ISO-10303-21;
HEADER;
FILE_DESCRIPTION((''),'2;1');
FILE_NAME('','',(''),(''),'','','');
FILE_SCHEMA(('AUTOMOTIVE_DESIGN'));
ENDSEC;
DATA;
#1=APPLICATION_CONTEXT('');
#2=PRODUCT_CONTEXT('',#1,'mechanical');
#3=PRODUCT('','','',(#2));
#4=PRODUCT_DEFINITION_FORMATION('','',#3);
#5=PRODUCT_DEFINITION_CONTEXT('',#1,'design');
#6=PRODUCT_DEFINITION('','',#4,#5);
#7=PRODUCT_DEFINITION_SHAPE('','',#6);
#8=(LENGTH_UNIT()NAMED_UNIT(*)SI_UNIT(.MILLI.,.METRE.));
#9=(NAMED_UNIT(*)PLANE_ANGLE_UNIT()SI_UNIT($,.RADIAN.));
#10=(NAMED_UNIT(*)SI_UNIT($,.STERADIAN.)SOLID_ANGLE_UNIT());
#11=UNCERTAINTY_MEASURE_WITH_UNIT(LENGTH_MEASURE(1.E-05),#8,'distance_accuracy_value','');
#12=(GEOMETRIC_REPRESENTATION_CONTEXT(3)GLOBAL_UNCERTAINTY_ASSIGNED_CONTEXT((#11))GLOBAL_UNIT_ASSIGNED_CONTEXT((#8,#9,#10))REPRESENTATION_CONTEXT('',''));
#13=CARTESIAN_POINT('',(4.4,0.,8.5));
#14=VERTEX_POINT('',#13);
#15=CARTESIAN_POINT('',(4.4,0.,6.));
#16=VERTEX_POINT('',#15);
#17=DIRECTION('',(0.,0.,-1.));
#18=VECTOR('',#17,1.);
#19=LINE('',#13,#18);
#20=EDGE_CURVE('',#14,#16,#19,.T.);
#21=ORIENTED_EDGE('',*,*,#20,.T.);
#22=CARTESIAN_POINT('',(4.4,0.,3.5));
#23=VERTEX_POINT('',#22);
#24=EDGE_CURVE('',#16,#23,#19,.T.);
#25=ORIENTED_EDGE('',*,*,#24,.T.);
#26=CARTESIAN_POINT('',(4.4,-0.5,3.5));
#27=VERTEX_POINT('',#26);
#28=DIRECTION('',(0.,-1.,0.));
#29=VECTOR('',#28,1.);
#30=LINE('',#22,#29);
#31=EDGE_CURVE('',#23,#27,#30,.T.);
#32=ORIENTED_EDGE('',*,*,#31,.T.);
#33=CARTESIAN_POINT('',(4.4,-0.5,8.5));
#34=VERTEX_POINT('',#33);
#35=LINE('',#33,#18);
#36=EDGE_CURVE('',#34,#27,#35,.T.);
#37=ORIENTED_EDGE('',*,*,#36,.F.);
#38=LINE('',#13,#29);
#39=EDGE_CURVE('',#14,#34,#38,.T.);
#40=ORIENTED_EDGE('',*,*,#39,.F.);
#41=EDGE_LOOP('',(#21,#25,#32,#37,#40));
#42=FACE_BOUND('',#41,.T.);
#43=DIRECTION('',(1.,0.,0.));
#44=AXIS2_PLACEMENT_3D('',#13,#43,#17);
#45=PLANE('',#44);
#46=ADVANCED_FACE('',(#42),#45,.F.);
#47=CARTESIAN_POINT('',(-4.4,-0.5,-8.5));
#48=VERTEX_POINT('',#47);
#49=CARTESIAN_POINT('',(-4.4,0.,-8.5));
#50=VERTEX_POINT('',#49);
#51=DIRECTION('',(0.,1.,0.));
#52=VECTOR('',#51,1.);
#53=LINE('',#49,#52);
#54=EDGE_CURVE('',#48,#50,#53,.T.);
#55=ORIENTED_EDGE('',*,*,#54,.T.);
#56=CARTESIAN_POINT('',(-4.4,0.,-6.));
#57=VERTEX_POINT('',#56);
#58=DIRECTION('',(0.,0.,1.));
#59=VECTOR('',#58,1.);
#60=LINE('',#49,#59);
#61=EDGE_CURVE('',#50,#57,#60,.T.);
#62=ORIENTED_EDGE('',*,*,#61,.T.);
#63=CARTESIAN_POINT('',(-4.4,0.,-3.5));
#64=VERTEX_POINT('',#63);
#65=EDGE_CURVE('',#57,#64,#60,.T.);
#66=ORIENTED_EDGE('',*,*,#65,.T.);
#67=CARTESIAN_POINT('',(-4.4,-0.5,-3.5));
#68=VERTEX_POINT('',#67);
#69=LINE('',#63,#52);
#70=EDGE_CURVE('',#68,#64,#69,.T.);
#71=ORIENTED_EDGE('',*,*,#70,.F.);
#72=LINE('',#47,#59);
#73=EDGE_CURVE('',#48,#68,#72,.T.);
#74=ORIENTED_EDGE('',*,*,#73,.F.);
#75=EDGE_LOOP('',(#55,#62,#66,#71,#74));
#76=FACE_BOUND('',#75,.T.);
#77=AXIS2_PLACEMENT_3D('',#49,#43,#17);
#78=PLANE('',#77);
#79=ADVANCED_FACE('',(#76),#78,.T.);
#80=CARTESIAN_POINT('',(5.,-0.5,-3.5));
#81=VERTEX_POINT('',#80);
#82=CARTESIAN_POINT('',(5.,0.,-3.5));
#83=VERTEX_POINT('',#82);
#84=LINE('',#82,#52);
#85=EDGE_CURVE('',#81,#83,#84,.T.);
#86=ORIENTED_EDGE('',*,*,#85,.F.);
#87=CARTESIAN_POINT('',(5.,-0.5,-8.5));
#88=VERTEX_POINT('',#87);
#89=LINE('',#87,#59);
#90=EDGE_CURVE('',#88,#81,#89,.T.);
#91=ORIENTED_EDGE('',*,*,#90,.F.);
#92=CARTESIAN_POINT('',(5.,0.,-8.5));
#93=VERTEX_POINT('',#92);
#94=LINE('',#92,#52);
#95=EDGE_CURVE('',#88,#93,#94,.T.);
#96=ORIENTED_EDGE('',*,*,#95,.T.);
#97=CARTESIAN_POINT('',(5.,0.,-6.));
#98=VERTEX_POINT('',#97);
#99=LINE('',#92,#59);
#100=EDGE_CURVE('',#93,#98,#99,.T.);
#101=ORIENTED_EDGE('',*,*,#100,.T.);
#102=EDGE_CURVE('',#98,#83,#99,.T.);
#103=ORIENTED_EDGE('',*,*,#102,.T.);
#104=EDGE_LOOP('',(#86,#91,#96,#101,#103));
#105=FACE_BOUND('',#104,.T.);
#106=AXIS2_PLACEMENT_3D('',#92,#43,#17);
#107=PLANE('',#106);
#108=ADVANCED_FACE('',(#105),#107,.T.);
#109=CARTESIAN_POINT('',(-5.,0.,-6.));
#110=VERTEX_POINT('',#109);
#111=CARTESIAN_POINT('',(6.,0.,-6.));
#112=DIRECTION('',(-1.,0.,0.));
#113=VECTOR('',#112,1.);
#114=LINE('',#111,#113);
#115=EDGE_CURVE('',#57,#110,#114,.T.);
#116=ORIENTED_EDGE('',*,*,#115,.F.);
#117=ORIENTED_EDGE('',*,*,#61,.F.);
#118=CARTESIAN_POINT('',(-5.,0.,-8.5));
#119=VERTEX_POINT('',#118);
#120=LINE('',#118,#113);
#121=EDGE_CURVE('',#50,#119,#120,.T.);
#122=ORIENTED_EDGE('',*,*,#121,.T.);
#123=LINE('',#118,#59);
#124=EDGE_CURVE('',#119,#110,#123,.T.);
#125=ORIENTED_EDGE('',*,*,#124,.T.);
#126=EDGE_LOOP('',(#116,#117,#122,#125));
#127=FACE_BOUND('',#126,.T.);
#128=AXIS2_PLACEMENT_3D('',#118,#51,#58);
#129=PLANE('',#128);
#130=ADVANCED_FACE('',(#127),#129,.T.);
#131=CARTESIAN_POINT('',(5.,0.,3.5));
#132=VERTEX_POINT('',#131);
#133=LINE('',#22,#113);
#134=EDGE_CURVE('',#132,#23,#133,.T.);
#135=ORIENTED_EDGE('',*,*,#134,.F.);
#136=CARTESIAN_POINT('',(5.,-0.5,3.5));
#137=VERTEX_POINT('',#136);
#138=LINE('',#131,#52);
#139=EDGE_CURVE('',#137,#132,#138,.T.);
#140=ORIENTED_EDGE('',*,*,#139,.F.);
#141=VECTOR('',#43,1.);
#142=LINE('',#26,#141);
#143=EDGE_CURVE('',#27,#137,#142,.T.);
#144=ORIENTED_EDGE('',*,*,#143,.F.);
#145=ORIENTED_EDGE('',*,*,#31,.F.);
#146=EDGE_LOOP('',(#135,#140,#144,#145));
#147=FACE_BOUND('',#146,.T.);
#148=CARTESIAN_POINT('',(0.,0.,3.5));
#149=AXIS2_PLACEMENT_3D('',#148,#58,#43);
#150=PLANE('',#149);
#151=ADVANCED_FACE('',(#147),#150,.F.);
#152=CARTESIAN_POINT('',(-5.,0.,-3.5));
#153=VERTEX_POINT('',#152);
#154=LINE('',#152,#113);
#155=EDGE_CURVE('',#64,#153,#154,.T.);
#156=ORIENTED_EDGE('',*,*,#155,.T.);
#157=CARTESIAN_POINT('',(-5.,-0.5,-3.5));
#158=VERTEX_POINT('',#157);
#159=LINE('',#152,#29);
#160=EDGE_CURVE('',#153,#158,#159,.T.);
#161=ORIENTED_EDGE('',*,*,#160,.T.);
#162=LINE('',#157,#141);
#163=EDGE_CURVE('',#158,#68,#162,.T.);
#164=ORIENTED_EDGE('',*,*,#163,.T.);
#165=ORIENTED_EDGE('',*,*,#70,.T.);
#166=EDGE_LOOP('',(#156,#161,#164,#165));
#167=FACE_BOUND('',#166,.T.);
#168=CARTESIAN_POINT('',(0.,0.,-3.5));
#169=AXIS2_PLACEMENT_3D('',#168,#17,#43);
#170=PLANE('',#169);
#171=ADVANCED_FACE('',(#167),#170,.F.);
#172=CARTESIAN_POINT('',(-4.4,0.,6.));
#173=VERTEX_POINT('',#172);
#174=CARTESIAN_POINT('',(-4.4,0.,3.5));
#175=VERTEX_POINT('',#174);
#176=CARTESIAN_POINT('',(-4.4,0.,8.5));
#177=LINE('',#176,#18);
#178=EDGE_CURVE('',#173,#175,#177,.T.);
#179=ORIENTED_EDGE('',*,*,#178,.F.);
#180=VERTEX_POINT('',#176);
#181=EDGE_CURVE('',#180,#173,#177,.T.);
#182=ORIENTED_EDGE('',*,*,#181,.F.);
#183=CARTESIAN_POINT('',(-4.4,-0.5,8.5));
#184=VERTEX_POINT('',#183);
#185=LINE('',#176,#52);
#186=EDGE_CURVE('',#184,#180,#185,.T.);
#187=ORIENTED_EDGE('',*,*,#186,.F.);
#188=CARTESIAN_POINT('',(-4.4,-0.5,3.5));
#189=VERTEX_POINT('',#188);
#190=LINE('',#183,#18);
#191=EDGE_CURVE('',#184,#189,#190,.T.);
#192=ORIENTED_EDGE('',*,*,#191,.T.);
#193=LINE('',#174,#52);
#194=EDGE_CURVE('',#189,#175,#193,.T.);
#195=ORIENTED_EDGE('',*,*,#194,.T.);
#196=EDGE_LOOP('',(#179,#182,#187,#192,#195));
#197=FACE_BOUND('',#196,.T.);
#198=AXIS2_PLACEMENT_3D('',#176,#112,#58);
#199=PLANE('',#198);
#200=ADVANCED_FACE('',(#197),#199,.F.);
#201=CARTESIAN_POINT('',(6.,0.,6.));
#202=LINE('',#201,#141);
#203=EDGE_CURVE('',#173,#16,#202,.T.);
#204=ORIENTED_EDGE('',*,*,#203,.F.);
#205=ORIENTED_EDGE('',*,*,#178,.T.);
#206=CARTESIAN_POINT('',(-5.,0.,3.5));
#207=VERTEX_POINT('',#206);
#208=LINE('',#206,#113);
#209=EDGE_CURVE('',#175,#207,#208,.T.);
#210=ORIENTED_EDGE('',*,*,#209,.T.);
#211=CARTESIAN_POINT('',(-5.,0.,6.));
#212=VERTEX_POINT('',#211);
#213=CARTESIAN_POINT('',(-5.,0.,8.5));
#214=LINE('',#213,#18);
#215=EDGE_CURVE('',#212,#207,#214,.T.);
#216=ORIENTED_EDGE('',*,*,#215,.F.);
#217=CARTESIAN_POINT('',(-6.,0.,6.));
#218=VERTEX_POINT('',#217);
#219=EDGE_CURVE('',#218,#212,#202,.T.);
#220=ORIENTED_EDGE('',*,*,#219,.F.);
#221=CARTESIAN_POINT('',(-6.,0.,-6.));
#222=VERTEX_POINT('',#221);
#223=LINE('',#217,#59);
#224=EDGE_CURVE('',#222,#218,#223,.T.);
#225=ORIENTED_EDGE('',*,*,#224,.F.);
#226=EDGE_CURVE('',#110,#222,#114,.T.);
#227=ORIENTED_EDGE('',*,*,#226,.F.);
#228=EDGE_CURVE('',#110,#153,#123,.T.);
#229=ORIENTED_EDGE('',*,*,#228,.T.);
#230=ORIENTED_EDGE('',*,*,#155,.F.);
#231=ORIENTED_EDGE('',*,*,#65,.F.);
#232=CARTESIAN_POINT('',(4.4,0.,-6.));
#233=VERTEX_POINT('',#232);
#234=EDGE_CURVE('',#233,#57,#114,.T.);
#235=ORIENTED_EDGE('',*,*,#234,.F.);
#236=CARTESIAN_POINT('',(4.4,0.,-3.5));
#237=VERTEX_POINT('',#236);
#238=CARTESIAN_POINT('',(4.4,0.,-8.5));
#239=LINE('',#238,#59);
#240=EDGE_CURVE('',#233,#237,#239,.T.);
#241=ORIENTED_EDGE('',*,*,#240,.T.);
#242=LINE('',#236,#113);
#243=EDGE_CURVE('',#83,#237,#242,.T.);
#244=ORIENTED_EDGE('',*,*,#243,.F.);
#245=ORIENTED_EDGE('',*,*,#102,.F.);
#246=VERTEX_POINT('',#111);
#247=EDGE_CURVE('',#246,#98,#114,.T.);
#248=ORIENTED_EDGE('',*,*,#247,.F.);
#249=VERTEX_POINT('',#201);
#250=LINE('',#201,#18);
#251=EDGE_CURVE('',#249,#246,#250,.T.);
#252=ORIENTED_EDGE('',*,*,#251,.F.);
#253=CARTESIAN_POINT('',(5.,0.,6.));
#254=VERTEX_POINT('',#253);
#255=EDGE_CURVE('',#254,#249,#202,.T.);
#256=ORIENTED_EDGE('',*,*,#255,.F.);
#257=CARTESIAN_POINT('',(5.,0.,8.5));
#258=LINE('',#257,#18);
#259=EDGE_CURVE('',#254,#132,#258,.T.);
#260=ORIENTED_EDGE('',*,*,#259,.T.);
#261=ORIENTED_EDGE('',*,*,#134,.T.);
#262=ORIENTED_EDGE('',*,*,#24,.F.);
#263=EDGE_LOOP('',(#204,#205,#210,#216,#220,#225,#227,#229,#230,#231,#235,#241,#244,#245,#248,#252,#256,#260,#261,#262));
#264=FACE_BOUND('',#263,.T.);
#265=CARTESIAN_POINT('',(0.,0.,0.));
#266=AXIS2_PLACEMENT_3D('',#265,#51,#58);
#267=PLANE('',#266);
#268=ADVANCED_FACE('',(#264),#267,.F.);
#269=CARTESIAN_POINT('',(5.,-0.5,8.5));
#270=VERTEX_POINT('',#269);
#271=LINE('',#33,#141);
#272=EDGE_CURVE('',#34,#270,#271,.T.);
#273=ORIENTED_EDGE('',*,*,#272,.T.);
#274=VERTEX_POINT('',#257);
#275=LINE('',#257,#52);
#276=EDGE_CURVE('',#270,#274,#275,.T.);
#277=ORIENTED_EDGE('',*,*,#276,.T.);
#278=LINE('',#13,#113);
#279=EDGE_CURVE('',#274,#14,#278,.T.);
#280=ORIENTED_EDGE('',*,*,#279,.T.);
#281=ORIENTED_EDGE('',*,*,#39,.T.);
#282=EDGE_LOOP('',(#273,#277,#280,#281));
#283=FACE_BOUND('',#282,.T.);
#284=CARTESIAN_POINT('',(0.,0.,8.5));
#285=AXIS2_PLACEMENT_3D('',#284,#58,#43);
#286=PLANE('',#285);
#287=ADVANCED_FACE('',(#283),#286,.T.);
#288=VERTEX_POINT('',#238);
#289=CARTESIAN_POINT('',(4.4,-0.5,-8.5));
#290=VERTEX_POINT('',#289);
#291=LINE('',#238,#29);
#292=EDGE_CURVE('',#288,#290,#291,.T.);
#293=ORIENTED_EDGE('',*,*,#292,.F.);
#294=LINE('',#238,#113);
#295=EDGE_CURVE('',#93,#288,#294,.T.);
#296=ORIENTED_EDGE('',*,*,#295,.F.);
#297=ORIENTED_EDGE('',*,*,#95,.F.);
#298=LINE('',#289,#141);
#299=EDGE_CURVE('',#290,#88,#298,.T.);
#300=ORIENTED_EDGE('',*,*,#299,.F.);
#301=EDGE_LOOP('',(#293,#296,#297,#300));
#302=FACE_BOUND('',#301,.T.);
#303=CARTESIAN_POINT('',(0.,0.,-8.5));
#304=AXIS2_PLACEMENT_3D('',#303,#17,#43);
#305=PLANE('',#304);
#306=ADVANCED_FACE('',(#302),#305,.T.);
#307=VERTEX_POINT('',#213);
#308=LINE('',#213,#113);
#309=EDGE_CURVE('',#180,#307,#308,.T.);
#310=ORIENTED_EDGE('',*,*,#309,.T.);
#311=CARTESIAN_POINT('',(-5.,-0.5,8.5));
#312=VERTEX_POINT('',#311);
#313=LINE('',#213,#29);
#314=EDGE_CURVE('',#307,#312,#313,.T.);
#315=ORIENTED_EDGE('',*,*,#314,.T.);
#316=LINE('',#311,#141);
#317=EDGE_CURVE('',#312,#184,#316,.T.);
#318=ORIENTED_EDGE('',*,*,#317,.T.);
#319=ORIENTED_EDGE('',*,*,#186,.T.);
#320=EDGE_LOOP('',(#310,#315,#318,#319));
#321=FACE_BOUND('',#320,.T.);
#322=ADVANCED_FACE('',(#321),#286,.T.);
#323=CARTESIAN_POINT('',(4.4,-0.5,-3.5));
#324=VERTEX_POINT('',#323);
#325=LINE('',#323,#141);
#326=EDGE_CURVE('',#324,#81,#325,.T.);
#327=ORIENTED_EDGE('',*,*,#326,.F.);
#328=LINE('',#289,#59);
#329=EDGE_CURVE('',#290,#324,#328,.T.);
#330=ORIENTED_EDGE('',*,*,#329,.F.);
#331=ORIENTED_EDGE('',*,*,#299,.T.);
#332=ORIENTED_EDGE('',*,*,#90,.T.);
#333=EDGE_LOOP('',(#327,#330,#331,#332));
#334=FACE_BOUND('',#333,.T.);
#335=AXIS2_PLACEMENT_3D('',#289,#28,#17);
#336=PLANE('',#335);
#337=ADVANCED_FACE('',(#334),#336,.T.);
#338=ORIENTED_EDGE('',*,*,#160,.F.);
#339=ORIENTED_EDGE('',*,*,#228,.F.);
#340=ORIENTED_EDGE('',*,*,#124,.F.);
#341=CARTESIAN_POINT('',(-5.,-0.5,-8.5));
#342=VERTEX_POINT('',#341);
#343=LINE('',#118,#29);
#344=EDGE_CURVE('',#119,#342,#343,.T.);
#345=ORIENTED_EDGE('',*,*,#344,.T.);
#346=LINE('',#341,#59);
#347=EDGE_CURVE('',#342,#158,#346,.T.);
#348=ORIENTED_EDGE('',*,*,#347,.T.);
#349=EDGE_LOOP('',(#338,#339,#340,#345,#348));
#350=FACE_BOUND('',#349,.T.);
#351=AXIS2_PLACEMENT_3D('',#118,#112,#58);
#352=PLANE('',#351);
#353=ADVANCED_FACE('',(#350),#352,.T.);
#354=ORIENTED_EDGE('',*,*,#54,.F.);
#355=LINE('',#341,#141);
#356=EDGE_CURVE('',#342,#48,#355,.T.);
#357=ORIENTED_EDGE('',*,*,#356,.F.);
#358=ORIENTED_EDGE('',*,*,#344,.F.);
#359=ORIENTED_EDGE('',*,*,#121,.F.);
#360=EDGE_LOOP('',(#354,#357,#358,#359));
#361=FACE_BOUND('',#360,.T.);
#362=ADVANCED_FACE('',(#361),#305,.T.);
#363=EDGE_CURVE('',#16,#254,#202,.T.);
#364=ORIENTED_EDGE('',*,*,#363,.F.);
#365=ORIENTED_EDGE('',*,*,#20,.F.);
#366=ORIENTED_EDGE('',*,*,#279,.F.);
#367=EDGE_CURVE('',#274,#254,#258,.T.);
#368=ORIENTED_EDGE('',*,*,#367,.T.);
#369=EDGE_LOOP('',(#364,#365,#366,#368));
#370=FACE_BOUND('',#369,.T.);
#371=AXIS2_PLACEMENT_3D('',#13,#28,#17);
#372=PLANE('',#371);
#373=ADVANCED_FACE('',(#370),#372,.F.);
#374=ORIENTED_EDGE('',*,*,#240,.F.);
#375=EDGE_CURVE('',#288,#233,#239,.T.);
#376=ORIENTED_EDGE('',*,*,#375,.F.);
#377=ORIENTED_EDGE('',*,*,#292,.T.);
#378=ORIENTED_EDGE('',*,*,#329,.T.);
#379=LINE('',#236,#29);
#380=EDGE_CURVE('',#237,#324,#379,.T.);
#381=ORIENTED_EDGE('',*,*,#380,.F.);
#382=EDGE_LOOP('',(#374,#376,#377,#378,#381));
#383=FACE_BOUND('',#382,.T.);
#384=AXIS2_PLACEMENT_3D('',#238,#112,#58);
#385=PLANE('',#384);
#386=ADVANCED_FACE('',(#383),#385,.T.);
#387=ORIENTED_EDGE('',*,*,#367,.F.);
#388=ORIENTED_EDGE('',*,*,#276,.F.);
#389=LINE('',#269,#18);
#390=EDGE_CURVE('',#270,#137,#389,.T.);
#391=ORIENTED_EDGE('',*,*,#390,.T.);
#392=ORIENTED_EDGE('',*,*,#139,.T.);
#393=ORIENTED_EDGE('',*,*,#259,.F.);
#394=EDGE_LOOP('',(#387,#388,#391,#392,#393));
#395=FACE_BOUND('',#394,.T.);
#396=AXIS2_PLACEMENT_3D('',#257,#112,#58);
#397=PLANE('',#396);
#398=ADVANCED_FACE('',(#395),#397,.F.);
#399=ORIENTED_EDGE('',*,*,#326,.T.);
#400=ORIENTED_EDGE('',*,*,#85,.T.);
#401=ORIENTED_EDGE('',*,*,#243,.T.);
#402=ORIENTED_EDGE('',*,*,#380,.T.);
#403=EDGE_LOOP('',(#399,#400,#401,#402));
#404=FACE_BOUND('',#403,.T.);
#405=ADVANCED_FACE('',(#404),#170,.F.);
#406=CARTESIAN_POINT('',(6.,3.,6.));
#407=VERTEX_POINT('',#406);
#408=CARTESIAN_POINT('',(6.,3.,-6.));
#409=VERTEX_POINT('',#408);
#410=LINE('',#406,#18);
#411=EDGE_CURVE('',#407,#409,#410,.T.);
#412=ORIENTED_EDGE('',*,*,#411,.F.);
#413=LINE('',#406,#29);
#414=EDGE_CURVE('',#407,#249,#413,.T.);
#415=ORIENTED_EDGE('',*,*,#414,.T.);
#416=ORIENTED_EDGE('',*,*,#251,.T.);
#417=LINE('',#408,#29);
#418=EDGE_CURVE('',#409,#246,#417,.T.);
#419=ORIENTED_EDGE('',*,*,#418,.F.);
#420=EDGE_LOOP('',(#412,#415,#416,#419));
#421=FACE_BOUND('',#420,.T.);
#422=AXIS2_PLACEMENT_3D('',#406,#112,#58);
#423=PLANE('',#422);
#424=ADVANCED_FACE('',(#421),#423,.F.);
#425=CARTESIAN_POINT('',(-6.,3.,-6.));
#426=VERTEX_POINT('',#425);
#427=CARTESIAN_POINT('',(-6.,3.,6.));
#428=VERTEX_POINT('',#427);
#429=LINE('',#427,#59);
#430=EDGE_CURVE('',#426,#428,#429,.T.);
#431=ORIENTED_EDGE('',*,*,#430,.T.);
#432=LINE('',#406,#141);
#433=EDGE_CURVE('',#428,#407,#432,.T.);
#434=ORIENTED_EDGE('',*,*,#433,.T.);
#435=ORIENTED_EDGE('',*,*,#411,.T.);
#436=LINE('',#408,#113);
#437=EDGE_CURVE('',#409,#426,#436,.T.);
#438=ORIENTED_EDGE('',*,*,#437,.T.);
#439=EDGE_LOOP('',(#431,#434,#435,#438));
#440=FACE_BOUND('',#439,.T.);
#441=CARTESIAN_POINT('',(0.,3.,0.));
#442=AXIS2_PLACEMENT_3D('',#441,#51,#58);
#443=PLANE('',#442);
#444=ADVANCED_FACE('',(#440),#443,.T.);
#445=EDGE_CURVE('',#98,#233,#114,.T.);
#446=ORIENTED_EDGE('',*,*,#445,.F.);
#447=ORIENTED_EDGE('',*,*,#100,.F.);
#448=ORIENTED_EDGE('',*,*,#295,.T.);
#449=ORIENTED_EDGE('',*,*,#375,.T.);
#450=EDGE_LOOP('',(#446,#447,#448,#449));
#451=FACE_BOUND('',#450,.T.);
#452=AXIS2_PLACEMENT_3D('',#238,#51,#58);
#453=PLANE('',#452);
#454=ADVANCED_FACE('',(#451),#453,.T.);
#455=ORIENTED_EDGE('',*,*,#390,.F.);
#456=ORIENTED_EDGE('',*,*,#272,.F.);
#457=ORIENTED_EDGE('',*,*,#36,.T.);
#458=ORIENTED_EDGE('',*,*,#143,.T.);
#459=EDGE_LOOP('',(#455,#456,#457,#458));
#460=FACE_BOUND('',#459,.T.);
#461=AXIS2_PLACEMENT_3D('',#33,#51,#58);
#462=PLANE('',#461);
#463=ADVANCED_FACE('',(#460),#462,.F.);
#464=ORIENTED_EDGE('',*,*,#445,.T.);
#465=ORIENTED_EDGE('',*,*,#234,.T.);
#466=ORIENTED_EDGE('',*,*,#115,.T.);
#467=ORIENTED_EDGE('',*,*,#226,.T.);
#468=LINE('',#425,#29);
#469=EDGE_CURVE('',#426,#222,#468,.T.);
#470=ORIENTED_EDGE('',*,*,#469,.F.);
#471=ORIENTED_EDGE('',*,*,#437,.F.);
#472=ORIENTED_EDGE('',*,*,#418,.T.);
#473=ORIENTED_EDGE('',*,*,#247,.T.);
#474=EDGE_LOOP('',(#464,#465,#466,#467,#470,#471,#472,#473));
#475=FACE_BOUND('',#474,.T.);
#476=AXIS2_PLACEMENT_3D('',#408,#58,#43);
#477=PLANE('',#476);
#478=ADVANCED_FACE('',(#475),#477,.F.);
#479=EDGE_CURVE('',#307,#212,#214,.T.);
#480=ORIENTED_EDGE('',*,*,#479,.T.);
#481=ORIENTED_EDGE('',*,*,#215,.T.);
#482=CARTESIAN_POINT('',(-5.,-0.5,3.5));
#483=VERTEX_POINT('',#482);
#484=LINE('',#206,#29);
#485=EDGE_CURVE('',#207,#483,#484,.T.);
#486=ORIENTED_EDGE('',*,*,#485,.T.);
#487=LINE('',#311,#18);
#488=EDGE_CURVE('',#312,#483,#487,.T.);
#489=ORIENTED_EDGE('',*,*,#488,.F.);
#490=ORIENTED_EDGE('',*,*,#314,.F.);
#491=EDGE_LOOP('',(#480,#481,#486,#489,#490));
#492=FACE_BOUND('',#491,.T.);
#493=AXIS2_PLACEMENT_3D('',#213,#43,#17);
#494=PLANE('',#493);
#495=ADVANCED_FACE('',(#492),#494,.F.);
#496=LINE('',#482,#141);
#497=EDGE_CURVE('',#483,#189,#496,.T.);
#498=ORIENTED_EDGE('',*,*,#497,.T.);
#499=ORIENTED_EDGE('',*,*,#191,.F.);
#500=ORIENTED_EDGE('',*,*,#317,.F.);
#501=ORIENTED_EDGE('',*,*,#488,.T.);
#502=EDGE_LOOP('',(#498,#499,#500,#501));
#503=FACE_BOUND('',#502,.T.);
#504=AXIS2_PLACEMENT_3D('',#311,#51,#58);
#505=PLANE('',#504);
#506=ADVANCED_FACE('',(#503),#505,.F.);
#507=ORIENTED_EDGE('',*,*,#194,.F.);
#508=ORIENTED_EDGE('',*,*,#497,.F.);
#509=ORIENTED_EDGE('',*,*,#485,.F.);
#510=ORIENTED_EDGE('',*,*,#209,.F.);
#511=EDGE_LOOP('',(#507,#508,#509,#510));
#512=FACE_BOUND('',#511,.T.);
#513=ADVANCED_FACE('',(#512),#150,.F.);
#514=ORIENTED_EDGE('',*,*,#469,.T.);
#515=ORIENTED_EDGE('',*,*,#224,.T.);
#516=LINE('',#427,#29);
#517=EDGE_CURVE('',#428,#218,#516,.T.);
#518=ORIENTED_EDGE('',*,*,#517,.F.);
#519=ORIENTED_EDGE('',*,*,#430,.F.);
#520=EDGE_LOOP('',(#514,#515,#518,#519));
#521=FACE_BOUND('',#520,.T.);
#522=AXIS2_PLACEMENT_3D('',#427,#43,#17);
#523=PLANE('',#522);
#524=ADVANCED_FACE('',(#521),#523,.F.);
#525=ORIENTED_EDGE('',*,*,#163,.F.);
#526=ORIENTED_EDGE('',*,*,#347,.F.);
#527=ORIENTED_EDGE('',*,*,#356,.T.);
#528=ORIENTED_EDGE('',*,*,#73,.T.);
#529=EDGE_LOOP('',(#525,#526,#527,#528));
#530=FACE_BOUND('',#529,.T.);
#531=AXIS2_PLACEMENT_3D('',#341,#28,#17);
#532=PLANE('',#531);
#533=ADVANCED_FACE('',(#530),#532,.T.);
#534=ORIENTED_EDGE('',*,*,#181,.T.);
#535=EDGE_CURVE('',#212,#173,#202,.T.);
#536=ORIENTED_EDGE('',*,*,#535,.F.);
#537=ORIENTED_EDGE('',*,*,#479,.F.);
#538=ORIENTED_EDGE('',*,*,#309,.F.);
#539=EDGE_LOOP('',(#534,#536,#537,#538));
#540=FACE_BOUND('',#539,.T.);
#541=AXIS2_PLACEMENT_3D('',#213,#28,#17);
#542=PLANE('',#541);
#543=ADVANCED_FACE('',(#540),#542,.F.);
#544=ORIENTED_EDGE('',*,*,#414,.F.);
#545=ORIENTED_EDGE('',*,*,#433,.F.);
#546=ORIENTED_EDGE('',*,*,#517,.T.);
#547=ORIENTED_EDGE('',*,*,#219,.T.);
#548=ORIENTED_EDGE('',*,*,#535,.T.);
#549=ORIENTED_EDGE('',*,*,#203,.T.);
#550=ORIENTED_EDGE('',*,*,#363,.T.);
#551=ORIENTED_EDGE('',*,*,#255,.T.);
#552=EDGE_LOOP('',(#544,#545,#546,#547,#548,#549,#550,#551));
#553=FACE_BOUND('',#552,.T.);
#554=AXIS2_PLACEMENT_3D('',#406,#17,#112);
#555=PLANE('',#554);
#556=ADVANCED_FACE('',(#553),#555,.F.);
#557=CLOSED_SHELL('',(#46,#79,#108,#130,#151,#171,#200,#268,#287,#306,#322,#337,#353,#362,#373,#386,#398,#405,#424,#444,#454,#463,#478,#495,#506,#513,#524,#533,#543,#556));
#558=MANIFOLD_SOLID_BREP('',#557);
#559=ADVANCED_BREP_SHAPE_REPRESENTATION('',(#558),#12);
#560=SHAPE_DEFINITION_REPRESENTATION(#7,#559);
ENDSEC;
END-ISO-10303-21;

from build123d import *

# Parameters (mm, degrees)
SKETCH1_W           = 12
SKETCH1_H           = 12
BOSS_EXTRUDE1_DEPTH = 3
SKETCH2_W           = 0.6
SKETCH2_H           = 0.5
BOSS_EXTRUDE2_DEPTH = 2.5


with BuildPart() as part:
    # Sketch1 → Boss-Extrude1 (new body)
    with BuildSketch(Plane(origin=(0, 0, 0), x_dir=(1, 0, 0), z_dir=(0, 1, 0))):
        Rectangle(SKETCH1_W, SKETCH1_H)
    extrude(amount=BOSS_EXTRUDE1_DEPTH)

    # Sketch2 → Boss-Extrude2 (add, symmetric)
    with BuildSketch(Plane.XY.offset(6)):
        with Locations((4.7, -0.25)):
            Rectangle(SKETCH2_W, SKETCH2_H)
        with Locations((-4.7, -0.25)):
            Rectangle(SKETCH2_W, SKETCH2_H)
    boss_extrude2 = extrude(amount=BOSS_EXTRUDE2_DEPTH, both=True)

    # Mirror1: Boss-Extrude2 across plane
    add(boss_extrude2.mirror(Plane.XY))


solid = part.part
